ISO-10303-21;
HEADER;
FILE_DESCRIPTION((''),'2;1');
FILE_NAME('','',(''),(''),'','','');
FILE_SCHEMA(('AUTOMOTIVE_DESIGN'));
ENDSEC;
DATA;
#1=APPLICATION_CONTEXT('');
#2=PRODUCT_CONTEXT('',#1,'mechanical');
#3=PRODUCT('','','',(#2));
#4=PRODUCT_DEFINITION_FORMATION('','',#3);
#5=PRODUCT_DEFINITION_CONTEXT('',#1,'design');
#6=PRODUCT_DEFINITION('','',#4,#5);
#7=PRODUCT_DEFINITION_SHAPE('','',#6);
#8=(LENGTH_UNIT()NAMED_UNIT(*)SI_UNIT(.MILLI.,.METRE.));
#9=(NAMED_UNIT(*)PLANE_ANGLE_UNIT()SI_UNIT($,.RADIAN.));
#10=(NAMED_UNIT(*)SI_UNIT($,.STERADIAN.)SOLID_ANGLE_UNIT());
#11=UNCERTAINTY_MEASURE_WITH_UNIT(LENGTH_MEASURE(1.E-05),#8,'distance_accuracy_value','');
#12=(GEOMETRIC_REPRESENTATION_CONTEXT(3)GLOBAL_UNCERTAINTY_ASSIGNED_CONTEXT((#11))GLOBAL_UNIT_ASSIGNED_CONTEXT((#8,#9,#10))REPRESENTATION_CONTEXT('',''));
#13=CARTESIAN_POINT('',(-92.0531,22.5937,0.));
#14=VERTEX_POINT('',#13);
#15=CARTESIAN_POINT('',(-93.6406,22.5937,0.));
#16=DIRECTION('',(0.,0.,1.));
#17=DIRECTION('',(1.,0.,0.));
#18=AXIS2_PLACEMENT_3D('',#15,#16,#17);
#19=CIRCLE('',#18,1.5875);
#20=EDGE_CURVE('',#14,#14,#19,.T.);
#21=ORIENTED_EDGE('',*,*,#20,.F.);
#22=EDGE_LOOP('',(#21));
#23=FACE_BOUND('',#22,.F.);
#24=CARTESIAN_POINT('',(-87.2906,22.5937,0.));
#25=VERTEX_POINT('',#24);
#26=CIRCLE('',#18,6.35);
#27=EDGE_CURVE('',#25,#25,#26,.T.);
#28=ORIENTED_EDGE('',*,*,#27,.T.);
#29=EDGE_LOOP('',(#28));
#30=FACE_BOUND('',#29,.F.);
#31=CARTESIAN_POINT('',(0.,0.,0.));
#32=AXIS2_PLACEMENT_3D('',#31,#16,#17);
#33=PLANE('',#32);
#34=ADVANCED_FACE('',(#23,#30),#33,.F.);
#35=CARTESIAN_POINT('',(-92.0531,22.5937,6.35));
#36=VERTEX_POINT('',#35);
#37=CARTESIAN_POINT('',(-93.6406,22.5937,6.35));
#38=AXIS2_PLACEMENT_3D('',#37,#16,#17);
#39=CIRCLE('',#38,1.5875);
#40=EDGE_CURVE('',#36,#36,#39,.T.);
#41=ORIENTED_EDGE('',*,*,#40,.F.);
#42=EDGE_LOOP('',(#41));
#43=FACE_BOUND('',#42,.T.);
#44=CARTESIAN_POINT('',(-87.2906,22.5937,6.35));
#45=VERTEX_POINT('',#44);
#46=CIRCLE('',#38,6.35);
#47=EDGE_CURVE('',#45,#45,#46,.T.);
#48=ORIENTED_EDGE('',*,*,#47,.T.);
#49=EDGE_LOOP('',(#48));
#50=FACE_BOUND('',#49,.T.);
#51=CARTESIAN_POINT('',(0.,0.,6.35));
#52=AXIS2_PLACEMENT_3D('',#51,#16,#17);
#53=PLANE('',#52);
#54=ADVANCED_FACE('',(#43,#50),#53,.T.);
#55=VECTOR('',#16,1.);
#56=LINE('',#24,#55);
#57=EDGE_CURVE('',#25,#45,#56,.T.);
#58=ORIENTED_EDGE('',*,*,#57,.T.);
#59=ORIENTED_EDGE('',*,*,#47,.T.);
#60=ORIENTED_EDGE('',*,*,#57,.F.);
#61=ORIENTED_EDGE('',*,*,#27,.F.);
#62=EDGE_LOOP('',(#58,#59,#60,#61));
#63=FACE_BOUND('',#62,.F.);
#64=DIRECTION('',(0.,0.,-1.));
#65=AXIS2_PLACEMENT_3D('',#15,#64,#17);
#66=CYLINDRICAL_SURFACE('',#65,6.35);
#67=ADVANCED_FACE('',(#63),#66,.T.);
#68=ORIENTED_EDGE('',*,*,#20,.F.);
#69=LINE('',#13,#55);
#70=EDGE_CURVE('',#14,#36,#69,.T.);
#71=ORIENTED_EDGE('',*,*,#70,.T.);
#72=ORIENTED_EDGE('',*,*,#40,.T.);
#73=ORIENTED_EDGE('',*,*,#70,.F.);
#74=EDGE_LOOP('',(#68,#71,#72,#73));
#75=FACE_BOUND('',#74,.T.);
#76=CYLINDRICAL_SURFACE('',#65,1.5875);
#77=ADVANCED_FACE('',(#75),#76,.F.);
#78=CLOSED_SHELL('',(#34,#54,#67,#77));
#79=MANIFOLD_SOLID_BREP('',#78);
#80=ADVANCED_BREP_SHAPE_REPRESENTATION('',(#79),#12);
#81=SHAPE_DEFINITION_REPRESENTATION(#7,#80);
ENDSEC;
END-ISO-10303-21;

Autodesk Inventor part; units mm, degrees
ref_plane "YZ Plane" through (0, 0, 0) normal (1, 0, 0) x (0, 1, 0)
ref_plane "XZ Plane" through (0, 0, 0) normal (0, 1, 0) x (-1, 0, 0)
ref_plane "XY Plane" through (0, 0, 0) normal (0, 0, 1) x (1, 0, 0)
ref_plane "Work Plane1" through (0, 0, 0) normal (0, 0, 1) x (1, 0, 0)
sketch "Sketch1" plane through (0, 0, 0) normal (0, 0, 1) x (1, 0, 0)
  circle A0 centre (-93.6406, 22.5937) radius 1.5875 projected
  circle A1 centre (-93.6406, 22.5937) radius 6.35
  point P0 (0, 0)
  dimension "d0" = 12.7
extrude "Extrusion1" add sketch "Sketch1" along normal blind 6.35
properties part number "offsetWasher01" material "Wood (Birch)"
